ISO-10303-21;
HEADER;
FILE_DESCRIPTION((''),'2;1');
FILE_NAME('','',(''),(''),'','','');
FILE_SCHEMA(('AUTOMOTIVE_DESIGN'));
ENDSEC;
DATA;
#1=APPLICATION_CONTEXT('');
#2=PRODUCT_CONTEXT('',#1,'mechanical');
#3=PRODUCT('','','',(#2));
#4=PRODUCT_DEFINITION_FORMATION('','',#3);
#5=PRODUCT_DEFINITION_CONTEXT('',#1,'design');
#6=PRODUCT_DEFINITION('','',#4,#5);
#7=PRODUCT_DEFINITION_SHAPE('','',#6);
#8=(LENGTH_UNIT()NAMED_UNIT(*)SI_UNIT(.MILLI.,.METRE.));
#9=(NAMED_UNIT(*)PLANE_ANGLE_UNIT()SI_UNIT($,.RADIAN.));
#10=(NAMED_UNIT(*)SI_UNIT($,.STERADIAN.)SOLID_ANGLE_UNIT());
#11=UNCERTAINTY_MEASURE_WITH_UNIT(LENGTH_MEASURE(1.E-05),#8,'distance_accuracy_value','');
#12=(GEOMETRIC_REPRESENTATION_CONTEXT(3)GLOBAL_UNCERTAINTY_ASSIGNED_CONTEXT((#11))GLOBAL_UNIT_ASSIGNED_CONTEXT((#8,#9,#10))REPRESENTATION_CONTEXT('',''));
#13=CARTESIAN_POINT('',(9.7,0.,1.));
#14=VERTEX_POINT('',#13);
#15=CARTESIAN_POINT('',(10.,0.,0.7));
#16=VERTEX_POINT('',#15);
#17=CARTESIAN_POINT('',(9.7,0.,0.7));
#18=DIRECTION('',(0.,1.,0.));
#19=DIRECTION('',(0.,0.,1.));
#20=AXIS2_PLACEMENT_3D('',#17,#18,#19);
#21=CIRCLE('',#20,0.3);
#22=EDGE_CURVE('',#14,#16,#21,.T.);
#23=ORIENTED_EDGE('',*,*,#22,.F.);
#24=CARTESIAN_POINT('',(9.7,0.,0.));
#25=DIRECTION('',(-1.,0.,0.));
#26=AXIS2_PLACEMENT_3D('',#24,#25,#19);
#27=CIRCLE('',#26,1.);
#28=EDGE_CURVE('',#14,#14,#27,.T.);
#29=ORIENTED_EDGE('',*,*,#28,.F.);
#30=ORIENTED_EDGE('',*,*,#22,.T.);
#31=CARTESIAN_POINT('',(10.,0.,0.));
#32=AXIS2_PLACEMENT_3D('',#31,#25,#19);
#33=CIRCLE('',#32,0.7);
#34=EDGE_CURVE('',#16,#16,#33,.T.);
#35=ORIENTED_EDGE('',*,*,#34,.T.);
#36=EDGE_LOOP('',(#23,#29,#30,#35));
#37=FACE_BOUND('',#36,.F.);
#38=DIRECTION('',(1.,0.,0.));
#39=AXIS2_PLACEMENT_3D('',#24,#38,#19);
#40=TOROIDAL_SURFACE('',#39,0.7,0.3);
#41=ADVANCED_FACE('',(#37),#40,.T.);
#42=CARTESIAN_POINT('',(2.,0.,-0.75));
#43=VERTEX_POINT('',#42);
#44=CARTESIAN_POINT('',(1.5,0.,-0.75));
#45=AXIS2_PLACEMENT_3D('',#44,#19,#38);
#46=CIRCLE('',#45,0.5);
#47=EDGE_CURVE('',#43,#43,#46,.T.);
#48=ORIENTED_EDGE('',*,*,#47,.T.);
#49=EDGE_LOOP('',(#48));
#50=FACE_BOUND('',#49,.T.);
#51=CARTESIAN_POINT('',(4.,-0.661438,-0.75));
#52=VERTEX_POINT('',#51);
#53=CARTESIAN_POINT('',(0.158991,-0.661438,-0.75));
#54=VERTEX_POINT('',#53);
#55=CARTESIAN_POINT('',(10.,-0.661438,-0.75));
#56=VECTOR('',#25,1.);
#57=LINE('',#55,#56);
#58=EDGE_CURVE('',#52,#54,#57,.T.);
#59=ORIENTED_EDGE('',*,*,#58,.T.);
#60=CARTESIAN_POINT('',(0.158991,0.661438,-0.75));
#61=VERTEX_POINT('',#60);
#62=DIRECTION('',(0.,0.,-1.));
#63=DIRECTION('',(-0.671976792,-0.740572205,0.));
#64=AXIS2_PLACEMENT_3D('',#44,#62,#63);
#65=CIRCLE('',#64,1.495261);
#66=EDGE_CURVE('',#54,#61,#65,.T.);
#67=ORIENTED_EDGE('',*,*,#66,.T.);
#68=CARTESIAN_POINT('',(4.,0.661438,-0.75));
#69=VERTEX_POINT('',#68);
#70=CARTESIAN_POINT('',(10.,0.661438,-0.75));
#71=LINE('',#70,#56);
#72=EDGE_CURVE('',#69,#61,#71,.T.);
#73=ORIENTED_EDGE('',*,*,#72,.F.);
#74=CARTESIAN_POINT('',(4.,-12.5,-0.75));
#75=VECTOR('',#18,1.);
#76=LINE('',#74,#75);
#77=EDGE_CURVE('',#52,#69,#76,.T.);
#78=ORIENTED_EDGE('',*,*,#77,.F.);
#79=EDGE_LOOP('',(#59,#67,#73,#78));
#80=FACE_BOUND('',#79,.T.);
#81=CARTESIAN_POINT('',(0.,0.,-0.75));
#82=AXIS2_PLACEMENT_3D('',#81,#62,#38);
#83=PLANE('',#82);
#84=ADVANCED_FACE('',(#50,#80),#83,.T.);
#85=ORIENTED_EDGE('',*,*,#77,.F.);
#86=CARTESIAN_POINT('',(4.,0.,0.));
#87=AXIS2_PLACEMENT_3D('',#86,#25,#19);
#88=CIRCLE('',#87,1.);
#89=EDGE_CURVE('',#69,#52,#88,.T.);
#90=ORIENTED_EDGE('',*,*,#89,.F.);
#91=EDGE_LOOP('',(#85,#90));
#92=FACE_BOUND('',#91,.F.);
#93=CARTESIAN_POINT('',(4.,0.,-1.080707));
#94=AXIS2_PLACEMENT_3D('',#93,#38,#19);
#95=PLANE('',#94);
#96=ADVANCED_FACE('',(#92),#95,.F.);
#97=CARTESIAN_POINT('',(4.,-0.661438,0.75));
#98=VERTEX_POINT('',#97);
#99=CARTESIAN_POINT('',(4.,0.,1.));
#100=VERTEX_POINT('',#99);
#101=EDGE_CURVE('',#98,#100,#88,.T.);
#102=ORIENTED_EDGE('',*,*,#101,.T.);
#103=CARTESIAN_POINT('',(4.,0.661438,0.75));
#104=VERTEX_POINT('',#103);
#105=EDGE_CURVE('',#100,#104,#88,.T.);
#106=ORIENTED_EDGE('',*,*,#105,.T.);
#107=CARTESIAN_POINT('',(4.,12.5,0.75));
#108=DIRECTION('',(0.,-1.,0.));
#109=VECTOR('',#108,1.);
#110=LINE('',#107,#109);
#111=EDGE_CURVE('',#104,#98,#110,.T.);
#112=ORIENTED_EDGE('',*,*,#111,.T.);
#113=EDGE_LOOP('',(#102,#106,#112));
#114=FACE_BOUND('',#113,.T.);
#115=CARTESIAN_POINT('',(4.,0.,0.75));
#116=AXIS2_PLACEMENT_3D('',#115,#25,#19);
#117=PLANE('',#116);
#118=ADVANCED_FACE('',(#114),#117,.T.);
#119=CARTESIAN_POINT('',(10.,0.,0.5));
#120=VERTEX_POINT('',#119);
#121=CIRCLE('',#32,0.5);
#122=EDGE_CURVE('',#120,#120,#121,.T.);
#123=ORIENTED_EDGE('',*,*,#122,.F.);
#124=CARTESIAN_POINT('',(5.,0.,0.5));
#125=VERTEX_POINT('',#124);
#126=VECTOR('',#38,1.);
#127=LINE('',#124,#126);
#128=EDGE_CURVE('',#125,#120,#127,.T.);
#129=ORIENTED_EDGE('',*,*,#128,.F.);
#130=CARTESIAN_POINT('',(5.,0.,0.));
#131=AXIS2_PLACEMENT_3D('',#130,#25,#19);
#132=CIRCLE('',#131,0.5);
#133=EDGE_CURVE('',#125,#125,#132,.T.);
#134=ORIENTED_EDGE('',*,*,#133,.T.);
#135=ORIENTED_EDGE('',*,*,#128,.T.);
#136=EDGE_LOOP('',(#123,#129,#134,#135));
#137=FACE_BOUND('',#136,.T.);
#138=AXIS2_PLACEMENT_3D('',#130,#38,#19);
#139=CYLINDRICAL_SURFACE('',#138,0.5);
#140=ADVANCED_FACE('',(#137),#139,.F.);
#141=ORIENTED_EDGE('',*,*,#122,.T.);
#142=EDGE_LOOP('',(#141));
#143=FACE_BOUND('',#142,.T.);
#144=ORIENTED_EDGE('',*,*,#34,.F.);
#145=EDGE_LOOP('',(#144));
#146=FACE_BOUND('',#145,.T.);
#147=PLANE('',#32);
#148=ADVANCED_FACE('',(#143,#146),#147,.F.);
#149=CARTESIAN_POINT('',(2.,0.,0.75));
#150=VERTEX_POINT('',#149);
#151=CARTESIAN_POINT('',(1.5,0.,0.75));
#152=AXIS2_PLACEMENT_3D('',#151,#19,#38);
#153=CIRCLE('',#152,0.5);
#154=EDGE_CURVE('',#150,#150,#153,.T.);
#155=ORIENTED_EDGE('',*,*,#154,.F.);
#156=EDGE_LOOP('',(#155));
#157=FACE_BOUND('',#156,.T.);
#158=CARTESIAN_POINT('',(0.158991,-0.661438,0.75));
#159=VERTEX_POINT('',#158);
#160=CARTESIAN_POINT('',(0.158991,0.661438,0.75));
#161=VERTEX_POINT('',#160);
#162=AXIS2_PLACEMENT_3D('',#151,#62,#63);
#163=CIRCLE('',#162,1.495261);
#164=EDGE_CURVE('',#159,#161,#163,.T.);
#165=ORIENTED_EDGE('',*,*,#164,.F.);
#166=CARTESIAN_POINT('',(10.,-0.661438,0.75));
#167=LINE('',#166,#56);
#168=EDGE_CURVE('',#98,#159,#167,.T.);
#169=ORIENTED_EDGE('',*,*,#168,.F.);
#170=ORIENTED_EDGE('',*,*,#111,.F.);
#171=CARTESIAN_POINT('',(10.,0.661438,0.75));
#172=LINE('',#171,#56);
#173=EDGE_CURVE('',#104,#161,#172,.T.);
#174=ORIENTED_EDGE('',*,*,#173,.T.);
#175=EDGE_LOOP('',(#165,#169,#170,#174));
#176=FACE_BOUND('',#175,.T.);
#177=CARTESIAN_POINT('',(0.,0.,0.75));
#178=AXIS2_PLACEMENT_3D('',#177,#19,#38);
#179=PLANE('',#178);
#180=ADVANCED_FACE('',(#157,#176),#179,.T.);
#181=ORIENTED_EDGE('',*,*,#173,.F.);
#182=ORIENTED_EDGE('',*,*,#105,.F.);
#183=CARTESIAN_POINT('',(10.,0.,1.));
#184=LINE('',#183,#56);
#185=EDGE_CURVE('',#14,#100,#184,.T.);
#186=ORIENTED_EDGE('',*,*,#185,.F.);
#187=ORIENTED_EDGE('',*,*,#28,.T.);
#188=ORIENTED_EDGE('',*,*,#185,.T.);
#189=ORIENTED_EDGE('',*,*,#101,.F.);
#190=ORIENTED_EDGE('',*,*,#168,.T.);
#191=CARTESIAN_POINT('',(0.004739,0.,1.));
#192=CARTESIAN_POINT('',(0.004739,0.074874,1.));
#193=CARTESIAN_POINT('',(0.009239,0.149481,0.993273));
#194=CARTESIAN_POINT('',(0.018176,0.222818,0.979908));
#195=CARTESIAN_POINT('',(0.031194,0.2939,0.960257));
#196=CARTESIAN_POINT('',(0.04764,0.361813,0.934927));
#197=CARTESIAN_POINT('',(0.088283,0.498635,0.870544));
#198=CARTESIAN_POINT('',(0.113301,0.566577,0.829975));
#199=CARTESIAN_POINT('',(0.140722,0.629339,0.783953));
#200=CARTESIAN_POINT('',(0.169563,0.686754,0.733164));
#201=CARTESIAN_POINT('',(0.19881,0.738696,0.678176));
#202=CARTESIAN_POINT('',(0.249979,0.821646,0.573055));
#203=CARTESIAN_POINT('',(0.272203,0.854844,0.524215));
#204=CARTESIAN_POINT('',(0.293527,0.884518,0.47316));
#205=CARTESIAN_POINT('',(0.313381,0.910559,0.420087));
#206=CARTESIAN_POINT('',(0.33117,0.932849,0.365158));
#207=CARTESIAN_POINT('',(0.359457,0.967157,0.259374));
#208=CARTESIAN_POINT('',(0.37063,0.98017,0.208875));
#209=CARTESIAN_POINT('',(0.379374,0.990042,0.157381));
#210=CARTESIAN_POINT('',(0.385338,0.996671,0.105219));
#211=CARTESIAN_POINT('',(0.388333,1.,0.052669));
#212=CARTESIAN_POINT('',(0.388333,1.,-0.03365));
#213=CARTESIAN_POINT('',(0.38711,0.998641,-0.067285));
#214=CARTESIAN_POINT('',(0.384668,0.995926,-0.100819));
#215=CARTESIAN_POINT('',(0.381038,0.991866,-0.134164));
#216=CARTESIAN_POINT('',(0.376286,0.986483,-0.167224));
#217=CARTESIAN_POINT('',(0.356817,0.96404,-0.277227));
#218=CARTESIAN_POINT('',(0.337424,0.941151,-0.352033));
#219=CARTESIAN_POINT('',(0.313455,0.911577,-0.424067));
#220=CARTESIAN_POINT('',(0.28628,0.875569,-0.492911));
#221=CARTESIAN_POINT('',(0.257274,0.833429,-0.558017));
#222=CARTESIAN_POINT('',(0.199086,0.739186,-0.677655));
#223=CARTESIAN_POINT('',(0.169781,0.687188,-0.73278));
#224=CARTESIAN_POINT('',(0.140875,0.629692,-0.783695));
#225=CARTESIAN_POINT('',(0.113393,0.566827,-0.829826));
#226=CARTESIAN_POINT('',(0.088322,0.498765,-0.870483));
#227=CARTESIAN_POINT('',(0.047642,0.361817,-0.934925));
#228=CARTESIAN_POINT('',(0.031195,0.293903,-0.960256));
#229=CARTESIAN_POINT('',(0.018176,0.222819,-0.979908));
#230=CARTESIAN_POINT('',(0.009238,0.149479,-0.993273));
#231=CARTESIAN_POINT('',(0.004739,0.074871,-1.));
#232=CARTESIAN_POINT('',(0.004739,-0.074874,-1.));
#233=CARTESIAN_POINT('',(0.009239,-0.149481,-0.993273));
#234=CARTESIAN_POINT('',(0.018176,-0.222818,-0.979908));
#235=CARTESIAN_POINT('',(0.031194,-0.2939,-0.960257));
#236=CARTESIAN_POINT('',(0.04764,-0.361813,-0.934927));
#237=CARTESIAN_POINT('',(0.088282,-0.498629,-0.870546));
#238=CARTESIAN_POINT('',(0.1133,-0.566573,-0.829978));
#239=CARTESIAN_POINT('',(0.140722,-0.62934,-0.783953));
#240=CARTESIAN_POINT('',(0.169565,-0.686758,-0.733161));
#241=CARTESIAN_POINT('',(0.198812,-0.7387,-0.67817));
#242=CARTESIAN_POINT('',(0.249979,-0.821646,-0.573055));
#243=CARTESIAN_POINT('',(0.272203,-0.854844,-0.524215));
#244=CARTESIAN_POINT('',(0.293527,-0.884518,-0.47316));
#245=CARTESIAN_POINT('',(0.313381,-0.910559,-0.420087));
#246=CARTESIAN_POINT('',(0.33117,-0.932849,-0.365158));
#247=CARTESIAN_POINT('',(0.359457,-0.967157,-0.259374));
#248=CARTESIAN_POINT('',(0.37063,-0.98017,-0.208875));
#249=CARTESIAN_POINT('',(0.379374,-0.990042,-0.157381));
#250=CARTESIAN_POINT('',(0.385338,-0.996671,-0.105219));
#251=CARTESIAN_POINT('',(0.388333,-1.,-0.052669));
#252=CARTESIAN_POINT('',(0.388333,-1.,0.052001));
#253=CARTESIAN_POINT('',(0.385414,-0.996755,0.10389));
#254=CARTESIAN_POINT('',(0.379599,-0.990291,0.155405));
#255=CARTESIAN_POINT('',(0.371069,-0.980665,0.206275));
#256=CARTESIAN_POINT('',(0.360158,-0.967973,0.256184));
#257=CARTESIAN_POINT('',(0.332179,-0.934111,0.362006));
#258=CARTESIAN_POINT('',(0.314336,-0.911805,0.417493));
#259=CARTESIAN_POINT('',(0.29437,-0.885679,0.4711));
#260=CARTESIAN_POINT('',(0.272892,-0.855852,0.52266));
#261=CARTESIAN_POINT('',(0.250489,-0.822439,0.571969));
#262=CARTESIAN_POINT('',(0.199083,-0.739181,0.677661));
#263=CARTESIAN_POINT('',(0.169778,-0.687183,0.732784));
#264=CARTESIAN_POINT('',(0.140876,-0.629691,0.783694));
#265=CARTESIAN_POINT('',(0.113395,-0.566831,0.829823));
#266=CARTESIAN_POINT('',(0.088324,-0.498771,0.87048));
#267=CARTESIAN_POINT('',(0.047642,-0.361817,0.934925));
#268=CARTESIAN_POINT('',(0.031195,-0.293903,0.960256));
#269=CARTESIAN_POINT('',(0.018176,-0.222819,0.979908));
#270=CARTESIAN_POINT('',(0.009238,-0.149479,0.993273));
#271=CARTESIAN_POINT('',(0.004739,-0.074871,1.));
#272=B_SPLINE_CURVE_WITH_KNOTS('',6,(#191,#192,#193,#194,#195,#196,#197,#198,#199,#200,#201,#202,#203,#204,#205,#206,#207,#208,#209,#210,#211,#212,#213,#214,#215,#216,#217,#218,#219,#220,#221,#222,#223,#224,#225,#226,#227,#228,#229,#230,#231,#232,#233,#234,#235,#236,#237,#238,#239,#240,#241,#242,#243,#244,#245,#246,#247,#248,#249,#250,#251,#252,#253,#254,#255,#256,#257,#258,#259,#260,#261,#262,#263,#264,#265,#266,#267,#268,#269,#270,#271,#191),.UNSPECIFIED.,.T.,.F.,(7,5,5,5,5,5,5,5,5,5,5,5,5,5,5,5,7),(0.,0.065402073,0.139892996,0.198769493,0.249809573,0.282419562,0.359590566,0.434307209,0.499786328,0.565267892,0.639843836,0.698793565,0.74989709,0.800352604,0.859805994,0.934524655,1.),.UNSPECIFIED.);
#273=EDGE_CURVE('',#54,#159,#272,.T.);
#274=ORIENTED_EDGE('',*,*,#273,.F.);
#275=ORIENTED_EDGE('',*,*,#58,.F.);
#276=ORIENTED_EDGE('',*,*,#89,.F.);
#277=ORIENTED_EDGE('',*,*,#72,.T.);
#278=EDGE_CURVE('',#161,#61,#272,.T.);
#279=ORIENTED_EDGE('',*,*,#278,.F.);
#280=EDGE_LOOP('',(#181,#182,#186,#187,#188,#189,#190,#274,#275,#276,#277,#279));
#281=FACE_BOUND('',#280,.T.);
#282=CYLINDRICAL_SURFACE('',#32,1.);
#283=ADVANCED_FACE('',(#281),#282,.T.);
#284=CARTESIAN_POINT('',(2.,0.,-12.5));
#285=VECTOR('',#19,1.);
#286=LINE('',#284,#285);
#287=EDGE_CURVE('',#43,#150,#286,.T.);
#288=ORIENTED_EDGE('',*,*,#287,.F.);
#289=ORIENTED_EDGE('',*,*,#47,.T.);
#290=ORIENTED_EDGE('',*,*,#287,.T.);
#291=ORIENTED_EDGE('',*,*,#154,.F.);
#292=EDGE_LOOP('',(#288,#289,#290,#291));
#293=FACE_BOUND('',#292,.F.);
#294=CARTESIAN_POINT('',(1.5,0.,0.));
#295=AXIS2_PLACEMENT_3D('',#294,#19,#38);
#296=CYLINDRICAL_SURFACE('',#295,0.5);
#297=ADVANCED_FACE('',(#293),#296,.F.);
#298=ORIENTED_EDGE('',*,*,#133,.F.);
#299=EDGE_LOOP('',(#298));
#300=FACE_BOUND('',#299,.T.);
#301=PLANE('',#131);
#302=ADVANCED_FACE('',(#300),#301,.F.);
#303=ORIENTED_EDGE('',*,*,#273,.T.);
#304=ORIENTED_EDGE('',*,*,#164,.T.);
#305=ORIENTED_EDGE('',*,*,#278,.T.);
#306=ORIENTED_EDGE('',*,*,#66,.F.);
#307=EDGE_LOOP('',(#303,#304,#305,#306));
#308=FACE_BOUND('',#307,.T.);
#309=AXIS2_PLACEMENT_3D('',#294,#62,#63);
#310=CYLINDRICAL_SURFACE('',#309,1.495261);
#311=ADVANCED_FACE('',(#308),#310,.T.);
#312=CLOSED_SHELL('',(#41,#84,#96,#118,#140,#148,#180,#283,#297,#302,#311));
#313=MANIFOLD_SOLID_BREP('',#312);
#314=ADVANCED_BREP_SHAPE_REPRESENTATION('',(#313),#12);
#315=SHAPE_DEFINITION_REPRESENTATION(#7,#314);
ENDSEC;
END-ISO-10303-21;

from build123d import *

# Parameters (mm, degrees)
F2_W     = 4
F2_H     = 0.3307065285
F3_DEPTH = 12.5
F4_R     = 0.5
F5_DEPTH = 12.5
F6_R     = 0.3


with BuildPart() as f1:
    # F0 (on Front) → F1 (revolve)
    with BuildSketch(Plane.XZ):
        Polygon((0, 1), (0, 0), (5, 0), (5, 0.5), (10, 0.5), (10, 1), align=None)
    revolve(axis=Axis((2.5, 0, 0), (-1, 0, 0)))

    # F2 (on Front) → F3 (cut, symmetric)
    with BuildSketch(Plane.XZ):
        with Locations((2, 0.9153532643)):
            Rectangle(F2_W, F2_H)
        with Locations((2, -0.9153532643)):
            Rectangle(F2_W, F2_H)
    extrude(amount=F3_DEPTH, both=True, mode=Mode.SUBTRACT)

    # F4 (on Top) → F5 (cut, symmetric)
    with BuildSketch(Plane.XY):
        with BuildLine():
            Line((-0.3413671802, -1.1073484784), (0.495219545, -1.1073484784))
            ThreePointArc((0.495219545, -1.1073484784), (0.1759867726, -0.6948333534), (0.0178750956, -0.197762947))
            ThreePointArc((0.0178750956, -0.197762947), (0.0047393487, 0), (0.0178750956, 0.197762947))
            ThreePointArc((0.0178750956, 0.197762947), (0.1759867726, 0.6948333534), (0.495219545, 1.1073484784))
            Line((0.495219545, 1.1073484784), (-0.3413671802, 1.1073484784))
            Line((-0.3413671802, 1.1073484784), (-0.3413671802, 0))
            Line((-0.3413671802, 0), (-0.3413671802, -1.1073484784))
        make_face()
        with Locations((1.5, 0)):
            Circle(F4_R)
    extrude(amount=F5_DEPTH, both=True, mode=Mode.SUBTRACT)

    # F6
    f6_edges = [f1.edges().sort_by_distance(p)[0] for p in [
        (10, 0, -1),
    ]]
    fillet(f6_edges, radius=F6_R)


solid = f1.part
